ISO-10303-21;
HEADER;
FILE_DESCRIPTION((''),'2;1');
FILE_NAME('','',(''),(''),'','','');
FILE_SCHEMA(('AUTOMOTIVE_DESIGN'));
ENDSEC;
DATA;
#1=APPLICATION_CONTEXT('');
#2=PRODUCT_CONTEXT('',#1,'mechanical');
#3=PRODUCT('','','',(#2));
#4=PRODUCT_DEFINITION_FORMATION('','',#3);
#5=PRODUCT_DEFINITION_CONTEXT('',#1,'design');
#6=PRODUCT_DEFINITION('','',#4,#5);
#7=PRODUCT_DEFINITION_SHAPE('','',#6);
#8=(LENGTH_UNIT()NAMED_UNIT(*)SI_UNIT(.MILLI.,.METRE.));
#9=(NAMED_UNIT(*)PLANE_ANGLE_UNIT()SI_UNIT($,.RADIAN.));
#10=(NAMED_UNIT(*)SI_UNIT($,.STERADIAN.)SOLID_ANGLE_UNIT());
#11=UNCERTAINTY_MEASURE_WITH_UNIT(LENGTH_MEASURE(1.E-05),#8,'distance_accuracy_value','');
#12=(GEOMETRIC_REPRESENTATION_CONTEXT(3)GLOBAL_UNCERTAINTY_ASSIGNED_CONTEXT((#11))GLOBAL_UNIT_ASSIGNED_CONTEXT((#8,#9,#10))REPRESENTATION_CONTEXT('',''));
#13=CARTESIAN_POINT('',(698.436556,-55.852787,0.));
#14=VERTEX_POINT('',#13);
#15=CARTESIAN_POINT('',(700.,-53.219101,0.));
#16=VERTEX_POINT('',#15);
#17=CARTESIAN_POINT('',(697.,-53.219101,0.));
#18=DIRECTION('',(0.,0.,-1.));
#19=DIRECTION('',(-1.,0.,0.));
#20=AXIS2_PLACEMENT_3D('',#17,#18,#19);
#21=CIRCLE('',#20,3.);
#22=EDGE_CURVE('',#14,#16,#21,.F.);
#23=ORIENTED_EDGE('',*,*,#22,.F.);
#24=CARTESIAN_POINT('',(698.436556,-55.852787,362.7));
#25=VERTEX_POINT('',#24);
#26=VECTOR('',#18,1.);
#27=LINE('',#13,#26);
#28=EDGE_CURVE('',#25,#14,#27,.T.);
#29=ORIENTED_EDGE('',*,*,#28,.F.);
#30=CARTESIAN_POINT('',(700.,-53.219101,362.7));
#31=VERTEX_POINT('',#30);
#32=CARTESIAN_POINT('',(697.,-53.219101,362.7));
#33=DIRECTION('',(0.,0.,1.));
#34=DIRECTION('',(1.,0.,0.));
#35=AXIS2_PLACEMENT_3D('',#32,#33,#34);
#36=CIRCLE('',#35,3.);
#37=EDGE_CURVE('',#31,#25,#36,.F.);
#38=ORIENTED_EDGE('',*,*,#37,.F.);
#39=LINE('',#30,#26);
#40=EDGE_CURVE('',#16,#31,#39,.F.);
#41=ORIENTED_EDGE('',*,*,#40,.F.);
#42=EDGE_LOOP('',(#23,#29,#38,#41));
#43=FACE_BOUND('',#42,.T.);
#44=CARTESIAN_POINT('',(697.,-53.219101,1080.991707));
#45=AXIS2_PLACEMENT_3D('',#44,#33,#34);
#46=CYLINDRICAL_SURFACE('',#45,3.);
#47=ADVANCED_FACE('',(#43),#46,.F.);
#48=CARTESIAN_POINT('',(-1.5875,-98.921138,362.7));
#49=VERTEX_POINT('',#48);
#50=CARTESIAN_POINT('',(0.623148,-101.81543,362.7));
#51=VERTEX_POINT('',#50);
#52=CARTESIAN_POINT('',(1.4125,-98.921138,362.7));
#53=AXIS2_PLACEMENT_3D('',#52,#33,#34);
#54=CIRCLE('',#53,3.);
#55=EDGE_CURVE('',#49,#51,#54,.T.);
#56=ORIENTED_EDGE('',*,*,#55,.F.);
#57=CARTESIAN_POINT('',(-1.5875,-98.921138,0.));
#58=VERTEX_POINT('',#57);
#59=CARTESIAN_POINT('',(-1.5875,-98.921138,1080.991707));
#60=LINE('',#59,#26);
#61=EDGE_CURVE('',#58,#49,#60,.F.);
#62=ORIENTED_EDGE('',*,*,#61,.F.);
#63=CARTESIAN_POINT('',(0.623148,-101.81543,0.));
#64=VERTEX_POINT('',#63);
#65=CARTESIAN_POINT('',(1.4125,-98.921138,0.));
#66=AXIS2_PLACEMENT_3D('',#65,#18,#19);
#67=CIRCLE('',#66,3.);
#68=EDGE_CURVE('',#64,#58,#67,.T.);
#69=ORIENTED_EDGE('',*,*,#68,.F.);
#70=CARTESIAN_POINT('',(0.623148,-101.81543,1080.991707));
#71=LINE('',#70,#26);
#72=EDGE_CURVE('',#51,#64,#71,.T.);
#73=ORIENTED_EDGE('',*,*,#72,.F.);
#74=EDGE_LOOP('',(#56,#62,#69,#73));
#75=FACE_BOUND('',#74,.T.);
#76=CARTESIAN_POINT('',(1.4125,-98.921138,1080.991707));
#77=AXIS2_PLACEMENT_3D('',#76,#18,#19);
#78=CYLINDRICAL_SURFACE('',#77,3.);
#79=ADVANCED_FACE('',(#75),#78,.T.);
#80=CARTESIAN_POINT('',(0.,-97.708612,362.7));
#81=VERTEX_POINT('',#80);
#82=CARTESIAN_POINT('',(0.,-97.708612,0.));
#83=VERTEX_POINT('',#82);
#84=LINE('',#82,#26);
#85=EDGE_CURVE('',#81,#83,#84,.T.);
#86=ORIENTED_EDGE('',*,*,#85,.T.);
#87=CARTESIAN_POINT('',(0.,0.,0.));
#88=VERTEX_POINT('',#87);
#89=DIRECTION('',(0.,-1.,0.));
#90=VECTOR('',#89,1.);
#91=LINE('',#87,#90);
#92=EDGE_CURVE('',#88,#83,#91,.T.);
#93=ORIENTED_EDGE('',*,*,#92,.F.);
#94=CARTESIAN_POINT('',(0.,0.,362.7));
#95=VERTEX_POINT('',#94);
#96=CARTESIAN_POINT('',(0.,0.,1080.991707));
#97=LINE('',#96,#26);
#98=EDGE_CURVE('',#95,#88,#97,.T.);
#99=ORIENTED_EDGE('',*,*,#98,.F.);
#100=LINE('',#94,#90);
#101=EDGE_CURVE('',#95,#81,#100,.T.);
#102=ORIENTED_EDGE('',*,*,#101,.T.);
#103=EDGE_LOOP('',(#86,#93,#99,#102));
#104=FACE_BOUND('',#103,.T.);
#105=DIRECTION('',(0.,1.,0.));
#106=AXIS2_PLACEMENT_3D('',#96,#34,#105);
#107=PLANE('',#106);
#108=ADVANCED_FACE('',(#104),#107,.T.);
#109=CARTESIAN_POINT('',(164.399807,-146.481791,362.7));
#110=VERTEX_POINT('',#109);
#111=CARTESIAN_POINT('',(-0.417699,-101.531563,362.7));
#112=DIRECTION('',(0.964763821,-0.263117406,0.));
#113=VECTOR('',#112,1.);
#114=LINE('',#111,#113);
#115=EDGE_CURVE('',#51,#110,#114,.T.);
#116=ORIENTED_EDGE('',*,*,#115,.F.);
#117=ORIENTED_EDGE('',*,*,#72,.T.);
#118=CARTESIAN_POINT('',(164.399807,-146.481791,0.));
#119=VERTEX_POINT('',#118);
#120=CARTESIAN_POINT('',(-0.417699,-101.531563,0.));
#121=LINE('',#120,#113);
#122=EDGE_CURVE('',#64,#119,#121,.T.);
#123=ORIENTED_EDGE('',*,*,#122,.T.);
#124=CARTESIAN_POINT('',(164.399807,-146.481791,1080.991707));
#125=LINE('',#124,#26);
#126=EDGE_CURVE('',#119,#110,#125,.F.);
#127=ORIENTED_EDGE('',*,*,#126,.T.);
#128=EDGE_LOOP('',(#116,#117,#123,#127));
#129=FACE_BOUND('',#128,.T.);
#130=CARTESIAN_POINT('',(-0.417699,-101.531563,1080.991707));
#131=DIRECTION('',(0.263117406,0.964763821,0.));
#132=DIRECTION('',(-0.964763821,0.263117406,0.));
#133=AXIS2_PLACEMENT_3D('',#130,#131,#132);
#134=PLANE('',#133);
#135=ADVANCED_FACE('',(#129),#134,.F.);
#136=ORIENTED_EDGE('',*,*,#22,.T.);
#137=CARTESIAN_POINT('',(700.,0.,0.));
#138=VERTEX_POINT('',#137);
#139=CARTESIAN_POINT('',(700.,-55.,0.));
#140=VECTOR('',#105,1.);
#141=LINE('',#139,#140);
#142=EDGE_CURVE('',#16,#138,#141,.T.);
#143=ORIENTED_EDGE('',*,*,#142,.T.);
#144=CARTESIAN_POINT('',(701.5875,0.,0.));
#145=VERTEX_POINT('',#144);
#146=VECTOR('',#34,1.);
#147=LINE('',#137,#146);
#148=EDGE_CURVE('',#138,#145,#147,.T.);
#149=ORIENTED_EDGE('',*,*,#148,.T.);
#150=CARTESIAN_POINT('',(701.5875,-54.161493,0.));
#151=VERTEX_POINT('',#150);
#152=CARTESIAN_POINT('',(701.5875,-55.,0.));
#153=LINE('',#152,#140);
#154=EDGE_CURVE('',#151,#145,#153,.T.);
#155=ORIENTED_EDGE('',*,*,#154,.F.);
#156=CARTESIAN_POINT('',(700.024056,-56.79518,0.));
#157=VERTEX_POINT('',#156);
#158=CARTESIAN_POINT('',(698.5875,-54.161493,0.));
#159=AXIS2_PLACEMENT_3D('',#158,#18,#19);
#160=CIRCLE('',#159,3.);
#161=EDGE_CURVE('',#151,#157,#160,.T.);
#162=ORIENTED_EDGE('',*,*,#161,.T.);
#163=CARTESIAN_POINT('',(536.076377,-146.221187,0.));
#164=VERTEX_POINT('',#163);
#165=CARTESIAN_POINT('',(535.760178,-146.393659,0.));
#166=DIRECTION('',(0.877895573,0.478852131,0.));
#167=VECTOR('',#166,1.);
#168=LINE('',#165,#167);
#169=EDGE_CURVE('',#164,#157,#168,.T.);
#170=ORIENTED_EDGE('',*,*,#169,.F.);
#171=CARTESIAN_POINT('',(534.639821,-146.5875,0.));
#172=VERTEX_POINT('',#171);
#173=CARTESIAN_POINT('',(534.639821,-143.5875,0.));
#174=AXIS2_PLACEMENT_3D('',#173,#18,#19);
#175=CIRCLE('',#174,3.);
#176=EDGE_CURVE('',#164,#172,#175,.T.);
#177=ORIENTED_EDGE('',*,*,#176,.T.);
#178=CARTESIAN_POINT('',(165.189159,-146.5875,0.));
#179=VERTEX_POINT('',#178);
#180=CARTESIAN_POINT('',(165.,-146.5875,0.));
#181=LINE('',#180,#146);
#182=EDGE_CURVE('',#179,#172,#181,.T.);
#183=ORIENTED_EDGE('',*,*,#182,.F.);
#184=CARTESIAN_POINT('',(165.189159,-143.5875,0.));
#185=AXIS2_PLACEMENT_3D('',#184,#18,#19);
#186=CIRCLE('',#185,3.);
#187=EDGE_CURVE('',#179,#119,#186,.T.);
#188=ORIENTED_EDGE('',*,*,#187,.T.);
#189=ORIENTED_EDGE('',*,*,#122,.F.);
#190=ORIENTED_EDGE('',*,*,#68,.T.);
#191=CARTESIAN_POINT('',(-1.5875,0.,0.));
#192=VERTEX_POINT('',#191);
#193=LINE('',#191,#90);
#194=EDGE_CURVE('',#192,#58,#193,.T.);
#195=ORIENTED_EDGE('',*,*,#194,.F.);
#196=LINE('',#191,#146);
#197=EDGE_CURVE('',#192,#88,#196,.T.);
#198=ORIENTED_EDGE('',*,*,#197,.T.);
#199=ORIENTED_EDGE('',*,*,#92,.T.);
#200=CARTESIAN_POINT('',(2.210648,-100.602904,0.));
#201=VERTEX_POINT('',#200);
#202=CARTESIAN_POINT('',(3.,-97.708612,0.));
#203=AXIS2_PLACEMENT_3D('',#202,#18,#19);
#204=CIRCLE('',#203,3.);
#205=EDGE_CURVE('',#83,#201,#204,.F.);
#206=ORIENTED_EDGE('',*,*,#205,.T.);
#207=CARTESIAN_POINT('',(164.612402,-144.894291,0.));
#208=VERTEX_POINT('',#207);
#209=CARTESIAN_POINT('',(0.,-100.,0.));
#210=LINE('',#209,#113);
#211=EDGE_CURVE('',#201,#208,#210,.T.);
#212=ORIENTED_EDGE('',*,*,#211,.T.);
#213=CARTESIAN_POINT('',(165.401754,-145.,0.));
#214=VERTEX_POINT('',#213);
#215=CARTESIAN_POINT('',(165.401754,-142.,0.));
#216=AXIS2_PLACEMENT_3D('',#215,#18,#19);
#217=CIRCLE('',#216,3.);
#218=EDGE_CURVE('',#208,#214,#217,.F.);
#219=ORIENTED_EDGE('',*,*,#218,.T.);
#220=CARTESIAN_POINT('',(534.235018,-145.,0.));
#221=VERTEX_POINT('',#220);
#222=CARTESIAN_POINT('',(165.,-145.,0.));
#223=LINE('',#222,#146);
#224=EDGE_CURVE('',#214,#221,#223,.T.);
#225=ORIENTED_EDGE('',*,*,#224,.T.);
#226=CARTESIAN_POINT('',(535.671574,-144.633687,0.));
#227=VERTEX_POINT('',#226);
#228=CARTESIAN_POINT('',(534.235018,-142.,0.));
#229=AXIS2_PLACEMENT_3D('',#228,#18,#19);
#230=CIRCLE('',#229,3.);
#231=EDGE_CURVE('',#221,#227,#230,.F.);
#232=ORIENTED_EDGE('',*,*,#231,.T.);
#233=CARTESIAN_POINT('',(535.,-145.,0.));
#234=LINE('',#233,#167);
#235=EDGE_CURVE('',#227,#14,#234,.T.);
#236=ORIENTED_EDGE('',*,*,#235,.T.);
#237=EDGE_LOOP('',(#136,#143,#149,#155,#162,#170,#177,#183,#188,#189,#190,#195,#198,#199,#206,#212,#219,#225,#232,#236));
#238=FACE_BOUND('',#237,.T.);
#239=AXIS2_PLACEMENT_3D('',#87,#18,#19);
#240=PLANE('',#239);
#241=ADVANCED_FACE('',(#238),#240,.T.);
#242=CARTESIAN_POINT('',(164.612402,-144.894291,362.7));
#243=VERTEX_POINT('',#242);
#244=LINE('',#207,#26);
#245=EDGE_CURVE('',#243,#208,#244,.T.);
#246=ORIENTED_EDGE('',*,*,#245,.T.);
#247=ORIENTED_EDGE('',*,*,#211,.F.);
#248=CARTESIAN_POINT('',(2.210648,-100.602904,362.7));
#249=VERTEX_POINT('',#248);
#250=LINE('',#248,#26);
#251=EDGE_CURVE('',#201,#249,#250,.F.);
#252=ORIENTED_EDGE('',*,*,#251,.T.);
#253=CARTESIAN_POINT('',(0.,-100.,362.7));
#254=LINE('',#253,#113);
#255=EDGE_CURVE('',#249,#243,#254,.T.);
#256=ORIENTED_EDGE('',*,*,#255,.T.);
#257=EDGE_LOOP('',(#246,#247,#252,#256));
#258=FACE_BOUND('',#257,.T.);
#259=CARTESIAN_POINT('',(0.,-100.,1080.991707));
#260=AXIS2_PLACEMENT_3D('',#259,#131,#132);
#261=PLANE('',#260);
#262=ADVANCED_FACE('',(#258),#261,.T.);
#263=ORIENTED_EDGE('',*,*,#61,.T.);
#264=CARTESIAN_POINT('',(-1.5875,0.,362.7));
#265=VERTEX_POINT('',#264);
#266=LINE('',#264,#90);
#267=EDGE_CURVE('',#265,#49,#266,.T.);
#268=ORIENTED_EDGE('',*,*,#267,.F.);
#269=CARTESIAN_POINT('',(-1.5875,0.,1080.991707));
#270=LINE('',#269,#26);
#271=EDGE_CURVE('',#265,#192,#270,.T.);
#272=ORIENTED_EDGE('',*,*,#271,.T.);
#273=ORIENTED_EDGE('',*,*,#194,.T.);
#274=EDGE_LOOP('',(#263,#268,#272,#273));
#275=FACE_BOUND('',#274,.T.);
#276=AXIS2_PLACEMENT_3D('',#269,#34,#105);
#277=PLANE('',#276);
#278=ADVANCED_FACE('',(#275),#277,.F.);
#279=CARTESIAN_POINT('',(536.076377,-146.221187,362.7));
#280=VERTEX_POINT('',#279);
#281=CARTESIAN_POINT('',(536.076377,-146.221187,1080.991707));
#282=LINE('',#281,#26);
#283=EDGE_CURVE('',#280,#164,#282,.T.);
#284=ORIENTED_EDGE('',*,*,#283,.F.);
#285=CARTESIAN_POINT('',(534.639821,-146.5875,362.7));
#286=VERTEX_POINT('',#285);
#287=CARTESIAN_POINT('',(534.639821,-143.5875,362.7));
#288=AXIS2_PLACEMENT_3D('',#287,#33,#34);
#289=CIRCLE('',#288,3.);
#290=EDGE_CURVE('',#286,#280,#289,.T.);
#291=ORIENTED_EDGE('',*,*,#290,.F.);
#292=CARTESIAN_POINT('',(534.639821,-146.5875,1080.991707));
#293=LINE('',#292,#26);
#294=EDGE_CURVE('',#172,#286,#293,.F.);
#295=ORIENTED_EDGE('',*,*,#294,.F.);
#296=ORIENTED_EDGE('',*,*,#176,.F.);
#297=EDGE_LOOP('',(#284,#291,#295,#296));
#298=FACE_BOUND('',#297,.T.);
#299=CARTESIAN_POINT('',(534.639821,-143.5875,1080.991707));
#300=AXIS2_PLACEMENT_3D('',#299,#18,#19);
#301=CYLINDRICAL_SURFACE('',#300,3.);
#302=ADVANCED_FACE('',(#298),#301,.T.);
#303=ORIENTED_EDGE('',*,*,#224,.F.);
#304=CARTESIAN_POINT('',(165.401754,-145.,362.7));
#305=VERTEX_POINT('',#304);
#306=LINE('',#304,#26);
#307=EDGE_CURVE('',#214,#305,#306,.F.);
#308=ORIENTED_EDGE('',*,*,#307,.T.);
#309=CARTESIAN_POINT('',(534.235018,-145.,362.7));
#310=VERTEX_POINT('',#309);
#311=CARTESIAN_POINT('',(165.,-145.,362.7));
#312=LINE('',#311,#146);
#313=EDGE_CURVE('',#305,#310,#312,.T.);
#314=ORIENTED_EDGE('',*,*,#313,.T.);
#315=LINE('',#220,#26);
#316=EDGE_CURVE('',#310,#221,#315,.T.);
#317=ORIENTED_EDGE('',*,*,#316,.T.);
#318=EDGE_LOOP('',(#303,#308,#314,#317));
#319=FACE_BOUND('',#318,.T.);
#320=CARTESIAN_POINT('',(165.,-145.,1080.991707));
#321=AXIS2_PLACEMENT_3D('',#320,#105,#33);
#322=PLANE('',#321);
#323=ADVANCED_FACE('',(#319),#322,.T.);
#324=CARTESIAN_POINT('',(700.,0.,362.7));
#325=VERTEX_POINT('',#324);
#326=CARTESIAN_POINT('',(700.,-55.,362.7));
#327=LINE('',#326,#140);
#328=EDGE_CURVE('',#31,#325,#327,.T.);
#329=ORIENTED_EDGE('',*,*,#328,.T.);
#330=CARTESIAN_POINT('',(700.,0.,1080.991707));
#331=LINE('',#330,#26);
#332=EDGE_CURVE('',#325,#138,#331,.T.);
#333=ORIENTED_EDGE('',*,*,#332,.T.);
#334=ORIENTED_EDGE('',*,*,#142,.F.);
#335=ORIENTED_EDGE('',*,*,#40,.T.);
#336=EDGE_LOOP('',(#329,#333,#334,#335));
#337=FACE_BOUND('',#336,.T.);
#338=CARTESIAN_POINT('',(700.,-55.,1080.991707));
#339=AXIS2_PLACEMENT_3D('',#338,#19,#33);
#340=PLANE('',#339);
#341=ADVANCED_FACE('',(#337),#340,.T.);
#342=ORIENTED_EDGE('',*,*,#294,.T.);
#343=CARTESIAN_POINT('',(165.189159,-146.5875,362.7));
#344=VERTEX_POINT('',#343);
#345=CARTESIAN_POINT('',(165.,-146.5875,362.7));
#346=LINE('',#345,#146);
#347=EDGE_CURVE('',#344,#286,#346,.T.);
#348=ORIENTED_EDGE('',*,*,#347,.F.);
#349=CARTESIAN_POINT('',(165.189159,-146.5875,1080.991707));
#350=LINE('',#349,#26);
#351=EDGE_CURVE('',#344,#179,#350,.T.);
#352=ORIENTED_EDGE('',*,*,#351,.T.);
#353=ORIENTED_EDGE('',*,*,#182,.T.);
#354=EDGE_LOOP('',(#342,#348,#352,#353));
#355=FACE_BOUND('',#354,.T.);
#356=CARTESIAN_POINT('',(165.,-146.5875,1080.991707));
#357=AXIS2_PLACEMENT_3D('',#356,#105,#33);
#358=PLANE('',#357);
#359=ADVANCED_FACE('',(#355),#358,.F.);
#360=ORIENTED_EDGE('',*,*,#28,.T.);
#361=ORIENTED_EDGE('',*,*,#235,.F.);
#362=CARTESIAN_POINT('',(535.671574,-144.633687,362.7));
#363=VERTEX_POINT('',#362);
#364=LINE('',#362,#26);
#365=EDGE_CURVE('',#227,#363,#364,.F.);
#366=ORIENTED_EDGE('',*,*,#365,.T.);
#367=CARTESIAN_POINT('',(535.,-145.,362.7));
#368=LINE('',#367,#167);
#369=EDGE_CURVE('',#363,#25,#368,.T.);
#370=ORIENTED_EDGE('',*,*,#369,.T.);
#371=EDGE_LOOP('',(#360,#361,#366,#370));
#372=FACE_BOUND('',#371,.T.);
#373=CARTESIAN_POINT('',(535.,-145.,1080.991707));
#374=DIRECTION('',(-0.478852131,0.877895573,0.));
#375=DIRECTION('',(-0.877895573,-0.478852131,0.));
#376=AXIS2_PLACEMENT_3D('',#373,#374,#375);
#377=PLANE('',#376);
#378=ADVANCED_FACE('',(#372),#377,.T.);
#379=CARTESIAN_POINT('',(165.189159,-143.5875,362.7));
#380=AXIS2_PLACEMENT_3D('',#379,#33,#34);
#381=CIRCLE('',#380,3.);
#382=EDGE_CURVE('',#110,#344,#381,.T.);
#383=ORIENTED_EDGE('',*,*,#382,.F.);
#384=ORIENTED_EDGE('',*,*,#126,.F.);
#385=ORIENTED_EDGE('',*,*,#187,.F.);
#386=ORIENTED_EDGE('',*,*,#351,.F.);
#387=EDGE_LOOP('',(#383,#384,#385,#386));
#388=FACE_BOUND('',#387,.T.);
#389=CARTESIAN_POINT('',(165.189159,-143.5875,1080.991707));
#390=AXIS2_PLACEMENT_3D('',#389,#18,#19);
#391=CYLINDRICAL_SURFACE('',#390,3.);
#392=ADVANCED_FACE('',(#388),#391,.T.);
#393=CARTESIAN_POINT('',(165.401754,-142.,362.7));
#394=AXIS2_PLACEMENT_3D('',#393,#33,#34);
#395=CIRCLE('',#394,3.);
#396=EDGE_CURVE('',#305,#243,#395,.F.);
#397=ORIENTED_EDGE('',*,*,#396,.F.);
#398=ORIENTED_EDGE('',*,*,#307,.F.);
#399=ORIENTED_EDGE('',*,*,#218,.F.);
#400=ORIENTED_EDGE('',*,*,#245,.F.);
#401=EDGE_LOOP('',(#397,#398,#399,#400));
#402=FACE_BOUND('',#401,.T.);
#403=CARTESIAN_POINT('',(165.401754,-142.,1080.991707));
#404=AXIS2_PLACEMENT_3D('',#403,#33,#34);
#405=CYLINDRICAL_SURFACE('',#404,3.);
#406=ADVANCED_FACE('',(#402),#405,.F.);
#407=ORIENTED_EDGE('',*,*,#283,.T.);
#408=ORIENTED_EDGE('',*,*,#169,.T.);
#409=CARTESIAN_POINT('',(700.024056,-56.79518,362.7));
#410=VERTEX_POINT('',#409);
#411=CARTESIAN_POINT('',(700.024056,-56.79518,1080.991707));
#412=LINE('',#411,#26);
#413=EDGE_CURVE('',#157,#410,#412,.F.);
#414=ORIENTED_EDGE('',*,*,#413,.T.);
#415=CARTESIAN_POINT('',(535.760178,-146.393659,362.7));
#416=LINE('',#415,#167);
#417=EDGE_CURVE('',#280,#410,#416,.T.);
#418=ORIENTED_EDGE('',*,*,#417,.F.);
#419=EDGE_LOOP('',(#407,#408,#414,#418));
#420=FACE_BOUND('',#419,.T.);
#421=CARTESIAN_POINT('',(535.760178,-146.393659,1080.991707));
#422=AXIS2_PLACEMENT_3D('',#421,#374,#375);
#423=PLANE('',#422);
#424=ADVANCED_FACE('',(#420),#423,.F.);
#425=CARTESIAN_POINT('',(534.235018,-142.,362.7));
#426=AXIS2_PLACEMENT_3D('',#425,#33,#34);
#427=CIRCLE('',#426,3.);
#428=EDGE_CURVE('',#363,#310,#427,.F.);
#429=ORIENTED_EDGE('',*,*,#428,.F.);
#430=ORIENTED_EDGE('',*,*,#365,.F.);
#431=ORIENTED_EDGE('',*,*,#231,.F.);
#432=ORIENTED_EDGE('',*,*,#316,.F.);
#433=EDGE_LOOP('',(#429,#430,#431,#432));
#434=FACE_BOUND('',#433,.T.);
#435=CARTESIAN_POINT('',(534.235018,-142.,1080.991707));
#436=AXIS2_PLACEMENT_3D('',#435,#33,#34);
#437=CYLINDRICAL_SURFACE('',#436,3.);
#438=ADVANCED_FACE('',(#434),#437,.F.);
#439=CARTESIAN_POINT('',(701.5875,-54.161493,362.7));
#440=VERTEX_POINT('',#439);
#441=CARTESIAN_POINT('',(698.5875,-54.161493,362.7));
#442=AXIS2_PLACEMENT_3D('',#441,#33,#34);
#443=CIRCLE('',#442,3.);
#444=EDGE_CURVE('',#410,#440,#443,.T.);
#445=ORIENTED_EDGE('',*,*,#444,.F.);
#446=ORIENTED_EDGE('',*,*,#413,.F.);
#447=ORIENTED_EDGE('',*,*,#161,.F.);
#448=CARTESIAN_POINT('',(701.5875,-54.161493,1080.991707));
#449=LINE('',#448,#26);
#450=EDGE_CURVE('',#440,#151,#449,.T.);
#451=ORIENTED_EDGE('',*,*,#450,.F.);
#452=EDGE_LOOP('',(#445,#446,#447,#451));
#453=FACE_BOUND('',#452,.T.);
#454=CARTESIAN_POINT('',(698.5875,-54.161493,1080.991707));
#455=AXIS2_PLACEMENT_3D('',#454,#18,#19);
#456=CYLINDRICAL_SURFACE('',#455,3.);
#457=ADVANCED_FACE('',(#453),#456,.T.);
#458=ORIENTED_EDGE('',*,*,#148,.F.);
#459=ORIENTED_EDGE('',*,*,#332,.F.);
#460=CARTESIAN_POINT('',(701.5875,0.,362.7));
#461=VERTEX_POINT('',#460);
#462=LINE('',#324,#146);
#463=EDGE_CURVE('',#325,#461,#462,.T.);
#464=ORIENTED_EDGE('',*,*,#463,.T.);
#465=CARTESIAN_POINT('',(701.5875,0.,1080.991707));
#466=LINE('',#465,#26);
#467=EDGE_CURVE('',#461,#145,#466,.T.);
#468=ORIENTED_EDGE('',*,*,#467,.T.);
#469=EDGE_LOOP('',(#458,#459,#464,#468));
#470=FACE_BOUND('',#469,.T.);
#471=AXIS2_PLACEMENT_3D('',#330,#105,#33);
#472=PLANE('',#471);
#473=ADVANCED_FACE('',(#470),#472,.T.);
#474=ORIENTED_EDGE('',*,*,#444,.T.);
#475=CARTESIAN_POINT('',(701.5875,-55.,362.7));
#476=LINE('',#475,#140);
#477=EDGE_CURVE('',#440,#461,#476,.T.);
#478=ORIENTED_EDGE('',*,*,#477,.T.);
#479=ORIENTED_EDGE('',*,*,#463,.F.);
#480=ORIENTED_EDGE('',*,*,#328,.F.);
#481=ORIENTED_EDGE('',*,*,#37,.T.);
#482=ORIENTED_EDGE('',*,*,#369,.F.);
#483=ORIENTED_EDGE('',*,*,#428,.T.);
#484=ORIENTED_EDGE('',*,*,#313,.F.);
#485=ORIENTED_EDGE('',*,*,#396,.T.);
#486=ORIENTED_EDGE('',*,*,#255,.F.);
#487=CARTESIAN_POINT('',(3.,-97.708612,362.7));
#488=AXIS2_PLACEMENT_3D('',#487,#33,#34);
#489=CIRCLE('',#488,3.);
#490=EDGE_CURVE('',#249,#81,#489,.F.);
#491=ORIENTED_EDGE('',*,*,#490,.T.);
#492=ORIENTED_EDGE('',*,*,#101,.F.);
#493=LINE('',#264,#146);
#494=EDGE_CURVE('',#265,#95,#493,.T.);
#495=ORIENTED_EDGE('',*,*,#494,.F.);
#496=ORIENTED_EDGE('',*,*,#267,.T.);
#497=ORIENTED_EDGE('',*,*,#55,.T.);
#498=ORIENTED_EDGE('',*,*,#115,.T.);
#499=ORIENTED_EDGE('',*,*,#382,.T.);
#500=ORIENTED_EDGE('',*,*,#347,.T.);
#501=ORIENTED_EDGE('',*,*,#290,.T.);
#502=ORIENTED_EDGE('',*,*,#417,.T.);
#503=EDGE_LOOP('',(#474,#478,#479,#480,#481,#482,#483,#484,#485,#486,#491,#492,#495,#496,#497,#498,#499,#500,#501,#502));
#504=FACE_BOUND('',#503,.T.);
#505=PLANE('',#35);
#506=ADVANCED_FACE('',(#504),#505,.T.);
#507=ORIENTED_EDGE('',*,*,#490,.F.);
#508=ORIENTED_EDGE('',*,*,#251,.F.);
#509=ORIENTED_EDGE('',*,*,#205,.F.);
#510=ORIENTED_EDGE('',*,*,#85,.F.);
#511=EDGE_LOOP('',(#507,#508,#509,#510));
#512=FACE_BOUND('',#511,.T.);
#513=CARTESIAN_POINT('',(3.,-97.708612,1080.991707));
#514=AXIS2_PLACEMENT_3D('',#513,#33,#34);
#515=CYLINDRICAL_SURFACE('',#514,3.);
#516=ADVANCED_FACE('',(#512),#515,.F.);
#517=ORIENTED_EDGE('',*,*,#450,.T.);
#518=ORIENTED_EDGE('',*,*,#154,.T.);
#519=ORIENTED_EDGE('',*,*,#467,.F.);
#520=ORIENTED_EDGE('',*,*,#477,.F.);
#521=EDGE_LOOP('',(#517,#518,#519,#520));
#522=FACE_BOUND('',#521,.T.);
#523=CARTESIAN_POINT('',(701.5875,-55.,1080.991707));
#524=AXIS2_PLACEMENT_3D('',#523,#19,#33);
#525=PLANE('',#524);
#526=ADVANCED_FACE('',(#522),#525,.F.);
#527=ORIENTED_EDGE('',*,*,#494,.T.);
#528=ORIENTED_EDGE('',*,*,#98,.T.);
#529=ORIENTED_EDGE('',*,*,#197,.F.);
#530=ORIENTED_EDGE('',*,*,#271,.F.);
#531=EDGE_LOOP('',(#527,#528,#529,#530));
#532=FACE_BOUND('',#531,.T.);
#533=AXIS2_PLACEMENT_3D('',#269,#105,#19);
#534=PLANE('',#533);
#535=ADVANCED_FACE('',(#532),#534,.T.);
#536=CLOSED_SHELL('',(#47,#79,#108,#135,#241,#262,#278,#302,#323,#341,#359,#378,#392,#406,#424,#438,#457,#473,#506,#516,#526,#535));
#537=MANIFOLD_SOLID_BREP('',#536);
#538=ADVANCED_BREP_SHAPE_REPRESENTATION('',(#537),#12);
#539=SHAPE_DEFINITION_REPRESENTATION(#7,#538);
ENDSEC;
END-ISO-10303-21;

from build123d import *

# Parameters (mm, degrees)
EXTRUDE_THIN1_DEPTH = 362.7
FILLET1_R           = 3


with BuildPart() as part:
    # Sketch1 → Extrude-Thin1 (new body)
    with BuildSketch(Plane.XY):
        Polygon((0, 0), (0, -100), (165, -145), (535, -145), (700, -55), (700, 0), (701.5875, 0), (701.5875, -55.942392544), (535.404802998, -146.5875), (164.787405042, -146.5875), (-1.5875, -101.212525898), (-1.5875, 0), align=None)
    extrude(amount=EXTRUDE_THIN1_DEPTH)

    # Fillet1
    fillet1_edges = [part.edges().sort_by_distance(p)[0] for p in [
        (700, -55, 181.35),
        (535, -145, 181.35),
        (165, -145, 181.35),
        (0, -100, 181.35),
        (-1.5875, -101.212525898, 181.35),
        (164.787405042, -146.5875, 181.35),
        (535.404802998, -146.5875, 181.35),
        (701.5875, -55.942392544, 181.35),
    ]]
    fillet(fillet1_edges, radius=FILLET1_R)


solid = part.part
